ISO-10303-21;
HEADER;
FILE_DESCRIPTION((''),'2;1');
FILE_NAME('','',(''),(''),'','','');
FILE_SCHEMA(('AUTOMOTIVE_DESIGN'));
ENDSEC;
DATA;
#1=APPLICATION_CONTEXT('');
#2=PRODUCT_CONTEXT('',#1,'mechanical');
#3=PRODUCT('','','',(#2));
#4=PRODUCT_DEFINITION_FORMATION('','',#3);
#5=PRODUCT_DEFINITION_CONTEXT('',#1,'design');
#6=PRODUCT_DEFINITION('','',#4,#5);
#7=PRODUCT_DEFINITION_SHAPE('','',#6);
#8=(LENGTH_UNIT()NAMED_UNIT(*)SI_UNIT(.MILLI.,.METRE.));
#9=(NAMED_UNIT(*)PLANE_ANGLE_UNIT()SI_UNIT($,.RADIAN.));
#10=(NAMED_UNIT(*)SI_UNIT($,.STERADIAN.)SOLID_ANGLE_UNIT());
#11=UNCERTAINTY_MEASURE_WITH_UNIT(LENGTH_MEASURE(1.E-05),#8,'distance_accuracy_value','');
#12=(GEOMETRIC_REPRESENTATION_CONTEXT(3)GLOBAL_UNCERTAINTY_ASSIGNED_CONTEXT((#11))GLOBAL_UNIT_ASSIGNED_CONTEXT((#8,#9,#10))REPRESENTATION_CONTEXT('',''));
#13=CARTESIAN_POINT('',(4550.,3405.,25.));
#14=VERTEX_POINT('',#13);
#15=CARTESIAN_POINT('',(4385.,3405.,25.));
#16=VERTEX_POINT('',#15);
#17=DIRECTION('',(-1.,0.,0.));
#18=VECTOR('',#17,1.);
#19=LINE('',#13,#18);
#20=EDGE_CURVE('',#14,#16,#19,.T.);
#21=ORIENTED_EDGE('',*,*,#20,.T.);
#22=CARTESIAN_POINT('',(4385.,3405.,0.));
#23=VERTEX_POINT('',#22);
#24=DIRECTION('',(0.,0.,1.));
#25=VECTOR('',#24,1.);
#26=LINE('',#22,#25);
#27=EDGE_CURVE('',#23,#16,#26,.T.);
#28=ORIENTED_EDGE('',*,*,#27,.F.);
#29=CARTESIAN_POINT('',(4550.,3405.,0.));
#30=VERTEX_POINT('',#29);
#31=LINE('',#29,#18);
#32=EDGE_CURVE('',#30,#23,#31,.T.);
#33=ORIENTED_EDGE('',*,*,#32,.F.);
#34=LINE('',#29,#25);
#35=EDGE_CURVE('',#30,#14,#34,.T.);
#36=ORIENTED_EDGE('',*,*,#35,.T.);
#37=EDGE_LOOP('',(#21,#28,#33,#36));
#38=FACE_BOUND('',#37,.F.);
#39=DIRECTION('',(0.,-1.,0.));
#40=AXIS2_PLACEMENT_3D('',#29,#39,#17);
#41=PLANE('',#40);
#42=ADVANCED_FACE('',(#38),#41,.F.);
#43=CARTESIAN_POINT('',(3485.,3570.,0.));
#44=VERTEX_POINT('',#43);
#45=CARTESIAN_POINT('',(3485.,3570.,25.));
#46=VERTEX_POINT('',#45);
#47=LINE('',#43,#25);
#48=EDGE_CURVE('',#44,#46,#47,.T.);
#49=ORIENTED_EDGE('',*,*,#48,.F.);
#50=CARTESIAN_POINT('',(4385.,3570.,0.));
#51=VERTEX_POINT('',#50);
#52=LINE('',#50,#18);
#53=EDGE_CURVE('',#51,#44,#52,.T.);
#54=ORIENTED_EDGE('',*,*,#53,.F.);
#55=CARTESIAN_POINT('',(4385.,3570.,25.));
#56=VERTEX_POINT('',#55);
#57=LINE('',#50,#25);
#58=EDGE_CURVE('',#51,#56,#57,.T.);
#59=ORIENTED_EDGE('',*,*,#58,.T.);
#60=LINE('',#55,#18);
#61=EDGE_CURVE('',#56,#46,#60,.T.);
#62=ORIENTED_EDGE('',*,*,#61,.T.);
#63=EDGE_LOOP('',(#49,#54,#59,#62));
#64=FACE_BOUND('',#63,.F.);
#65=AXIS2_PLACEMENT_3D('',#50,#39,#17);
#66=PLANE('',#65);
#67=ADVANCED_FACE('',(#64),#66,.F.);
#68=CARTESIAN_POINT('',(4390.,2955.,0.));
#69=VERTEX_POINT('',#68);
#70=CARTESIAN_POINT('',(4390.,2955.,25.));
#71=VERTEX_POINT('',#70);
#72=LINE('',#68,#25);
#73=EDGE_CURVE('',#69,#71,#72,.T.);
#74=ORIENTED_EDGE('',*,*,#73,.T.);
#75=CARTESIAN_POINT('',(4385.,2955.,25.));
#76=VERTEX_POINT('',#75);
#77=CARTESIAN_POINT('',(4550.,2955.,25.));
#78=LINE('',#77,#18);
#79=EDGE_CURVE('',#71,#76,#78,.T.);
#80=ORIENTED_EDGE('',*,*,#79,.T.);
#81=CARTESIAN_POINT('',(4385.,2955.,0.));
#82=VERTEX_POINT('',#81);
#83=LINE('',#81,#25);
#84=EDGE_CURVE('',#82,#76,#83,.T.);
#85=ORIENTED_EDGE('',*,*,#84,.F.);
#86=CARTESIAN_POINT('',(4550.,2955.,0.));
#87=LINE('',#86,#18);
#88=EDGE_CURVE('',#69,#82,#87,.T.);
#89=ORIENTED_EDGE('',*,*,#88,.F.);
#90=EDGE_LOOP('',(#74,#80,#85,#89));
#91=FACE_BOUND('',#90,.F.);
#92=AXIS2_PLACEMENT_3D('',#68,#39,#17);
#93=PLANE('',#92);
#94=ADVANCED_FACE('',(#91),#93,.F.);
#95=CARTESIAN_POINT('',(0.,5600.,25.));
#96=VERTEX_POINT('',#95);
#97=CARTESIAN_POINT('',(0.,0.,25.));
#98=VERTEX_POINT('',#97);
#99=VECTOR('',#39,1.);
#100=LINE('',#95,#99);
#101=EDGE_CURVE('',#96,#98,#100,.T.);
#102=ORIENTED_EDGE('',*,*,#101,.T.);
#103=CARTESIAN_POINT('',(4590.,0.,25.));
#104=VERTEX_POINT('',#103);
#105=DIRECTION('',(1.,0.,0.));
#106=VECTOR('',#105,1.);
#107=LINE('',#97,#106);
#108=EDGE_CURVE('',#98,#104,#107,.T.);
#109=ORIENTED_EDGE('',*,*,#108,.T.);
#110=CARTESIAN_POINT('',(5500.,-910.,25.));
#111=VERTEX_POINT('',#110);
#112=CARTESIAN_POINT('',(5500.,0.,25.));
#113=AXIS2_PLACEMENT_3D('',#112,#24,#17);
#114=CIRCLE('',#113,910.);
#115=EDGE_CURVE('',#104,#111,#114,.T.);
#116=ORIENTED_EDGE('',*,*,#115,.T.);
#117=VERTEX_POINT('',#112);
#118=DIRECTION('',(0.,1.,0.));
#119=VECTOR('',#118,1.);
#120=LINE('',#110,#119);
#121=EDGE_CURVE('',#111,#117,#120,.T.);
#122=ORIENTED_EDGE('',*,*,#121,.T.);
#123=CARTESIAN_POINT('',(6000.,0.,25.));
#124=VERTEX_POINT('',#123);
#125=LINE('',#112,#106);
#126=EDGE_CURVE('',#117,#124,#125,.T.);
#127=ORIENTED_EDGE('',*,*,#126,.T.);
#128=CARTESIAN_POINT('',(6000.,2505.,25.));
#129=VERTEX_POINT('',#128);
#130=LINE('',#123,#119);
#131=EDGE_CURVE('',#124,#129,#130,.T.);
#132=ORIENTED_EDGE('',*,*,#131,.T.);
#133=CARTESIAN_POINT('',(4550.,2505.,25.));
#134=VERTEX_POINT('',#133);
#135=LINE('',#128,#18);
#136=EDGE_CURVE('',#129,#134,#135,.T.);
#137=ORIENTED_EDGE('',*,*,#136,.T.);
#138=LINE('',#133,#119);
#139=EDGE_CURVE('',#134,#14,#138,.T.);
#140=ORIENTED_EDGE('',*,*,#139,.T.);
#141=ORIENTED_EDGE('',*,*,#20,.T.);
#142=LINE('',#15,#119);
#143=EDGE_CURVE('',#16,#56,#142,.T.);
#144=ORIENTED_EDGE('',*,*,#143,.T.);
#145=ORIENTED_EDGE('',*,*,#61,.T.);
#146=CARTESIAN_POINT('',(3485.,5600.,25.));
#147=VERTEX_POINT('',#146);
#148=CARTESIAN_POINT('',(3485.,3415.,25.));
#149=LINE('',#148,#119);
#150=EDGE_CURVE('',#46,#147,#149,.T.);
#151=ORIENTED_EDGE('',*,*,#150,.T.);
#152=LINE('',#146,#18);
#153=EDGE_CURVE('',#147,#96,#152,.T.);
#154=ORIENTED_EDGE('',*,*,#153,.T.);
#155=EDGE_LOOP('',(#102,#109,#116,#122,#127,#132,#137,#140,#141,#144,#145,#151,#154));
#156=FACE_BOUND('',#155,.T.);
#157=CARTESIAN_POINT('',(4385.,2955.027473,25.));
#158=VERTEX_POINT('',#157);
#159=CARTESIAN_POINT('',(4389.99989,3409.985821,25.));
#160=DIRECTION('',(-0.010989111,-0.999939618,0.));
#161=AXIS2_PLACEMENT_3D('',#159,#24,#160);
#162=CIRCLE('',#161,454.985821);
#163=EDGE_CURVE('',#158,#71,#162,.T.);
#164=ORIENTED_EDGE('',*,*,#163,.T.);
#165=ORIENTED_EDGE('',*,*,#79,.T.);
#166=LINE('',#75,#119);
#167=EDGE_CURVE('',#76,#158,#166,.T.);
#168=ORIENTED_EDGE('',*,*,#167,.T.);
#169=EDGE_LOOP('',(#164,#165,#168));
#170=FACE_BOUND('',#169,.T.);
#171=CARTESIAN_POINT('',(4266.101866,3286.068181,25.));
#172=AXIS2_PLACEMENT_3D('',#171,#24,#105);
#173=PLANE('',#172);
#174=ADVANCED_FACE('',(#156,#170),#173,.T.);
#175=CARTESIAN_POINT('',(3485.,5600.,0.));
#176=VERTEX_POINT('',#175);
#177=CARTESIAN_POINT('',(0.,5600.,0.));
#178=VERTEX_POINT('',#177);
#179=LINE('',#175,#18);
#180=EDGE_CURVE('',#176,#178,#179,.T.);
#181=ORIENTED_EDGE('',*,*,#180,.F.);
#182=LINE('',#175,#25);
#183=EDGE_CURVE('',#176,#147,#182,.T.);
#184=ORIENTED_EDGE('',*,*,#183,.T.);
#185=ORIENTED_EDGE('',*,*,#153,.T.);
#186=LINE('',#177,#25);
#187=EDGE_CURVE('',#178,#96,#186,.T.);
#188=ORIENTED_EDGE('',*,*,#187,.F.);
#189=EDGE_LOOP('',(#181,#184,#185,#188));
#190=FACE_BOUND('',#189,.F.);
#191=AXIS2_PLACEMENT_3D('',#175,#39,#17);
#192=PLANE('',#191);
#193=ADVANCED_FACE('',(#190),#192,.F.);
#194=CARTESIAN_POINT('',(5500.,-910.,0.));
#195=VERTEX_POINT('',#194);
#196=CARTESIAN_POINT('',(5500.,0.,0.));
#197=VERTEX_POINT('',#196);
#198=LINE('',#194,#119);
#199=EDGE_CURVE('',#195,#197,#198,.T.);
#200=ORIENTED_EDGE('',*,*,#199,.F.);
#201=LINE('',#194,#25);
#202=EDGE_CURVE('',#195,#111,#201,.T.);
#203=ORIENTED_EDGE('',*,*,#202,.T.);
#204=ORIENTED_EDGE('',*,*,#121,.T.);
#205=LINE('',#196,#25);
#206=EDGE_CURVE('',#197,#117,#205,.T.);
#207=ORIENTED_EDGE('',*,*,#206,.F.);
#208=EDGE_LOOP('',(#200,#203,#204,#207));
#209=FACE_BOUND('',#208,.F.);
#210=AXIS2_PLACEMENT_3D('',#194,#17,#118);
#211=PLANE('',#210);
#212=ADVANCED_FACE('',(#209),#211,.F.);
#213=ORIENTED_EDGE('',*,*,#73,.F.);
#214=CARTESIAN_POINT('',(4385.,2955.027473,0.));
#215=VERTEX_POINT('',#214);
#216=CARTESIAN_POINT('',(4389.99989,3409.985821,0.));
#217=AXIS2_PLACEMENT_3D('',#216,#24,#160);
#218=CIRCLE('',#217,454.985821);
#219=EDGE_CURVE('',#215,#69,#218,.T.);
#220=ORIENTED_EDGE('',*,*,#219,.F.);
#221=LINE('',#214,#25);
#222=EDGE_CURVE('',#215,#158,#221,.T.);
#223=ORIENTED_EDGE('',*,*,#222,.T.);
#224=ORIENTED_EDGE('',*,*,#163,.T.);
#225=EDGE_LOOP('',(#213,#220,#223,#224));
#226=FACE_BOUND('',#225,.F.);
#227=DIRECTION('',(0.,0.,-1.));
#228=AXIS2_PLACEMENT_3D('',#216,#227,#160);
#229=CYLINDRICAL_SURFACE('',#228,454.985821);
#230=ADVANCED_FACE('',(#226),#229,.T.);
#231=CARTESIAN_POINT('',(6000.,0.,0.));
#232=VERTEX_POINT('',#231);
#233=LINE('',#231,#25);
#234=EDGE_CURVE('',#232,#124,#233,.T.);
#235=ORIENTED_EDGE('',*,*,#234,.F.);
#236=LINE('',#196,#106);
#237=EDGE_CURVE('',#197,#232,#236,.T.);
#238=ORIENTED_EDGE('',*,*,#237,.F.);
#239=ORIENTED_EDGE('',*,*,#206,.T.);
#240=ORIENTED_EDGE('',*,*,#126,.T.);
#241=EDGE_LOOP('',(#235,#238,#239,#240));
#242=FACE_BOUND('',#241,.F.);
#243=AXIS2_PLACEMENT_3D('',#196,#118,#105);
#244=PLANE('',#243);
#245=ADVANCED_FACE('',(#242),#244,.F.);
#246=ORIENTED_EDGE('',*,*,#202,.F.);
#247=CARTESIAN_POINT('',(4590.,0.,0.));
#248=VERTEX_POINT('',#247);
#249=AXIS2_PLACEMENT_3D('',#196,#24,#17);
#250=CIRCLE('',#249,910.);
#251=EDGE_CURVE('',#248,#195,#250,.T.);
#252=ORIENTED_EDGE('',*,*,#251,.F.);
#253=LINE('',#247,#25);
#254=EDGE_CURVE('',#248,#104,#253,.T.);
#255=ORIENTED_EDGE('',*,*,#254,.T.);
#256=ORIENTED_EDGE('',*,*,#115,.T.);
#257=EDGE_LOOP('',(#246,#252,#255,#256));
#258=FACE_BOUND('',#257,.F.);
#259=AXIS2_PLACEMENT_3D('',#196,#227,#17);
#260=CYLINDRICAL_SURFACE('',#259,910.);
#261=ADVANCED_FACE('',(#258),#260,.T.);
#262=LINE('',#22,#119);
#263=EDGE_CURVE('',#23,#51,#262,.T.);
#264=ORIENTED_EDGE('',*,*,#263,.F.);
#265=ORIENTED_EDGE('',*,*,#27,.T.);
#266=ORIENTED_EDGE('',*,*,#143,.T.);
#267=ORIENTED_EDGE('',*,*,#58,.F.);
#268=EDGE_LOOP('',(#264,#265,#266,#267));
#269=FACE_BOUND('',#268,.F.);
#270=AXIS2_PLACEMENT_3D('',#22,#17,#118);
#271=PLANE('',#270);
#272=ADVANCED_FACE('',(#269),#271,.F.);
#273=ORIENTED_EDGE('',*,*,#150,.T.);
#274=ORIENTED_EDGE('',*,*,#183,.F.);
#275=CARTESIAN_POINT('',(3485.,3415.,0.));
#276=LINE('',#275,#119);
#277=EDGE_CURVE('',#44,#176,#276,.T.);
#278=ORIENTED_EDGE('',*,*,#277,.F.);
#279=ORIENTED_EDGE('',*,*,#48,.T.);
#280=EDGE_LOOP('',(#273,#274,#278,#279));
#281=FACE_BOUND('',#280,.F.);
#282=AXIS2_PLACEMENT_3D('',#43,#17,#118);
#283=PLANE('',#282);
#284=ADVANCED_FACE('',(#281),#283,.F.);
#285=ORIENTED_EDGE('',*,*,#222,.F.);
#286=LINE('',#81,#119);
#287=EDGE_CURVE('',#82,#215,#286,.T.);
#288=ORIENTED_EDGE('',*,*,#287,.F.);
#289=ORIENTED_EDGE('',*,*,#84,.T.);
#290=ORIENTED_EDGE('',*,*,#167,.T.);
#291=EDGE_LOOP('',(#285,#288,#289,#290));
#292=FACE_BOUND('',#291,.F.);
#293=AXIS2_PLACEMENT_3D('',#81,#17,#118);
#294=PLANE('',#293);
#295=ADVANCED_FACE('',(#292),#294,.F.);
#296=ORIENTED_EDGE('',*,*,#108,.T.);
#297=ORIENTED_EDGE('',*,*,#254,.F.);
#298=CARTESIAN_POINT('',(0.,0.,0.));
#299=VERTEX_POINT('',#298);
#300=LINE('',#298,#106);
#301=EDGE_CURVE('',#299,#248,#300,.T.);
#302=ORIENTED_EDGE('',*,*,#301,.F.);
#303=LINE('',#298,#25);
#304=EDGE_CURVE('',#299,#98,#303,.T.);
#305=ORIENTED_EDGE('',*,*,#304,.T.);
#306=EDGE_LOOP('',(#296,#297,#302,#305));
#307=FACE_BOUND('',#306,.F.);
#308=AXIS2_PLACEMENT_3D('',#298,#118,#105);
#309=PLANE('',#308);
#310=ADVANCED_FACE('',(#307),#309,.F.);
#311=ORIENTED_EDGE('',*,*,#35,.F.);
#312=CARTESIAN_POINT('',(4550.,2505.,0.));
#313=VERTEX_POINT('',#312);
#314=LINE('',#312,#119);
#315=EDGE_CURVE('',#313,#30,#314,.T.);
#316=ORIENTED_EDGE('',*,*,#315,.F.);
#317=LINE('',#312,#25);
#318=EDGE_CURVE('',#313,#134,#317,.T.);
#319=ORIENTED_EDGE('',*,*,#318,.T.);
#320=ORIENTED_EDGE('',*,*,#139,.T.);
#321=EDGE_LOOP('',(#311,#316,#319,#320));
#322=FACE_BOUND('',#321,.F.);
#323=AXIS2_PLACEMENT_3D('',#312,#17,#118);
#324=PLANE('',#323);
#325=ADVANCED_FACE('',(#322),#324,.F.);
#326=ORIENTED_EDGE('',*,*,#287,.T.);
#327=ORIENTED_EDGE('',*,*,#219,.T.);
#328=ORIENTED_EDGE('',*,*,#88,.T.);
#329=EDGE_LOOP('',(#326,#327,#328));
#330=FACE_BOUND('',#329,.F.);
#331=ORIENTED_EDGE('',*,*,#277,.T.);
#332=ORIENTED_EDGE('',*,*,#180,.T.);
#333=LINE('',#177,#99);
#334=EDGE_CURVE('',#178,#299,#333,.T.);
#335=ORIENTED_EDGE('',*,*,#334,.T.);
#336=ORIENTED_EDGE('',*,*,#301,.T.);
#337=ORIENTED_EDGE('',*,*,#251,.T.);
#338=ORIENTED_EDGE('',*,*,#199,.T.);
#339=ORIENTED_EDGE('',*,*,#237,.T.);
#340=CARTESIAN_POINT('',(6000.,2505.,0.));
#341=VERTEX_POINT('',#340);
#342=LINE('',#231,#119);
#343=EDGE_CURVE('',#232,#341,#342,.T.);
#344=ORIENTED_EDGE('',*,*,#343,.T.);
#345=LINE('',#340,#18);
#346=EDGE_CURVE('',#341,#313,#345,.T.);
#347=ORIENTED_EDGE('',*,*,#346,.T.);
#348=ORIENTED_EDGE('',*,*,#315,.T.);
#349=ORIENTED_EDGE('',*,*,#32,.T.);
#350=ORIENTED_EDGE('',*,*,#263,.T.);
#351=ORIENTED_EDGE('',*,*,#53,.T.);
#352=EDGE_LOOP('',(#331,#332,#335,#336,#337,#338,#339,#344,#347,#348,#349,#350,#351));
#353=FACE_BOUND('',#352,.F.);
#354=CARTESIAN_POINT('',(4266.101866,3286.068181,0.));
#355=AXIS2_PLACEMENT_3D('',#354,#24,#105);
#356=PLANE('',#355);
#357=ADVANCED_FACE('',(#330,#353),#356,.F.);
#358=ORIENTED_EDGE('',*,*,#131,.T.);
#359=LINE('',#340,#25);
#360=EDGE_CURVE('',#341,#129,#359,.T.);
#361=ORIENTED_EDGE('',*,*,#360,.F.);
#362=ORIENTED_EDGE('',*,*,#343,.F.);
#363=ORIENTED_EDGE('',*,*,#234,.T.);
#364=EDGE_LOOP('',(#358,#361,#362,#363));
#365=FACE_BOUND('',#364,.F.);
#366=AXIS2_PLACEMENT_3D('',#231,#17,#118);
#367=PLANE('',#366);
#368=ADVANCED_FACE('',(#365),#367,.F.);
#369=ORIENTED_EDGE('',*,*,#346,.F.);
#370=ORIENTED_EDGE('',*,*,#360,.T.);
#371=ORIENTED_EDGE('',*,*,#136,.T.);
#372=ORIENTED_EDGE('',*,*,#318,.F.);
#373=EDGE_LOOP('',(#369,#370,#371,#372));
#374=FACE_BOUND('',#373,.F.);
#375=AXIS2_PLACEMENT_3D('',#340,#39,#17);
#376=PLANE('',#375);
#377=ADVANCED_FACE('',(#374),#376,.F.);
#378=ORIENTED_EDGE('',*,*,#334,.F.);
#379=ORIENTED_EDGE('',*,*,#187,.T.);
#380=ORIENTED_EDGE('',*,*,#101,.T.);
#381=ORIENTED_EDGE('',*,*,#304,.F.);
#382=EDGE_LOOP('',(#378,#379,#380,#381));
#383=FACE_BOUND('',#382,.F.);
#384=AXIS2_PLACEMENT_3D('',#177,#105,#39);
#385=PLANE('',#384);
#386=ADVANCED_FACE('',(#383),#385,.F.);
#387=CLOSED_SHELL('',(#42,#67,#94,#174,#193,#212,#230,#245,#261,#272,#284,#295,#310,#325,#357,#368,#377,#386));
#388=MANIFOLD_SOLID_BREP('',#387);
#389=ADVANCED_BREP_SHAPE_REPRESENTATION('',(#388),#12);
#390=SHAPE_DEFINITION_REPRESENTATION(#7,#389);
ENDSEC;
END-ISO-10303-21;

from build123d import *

# Parameters (mm, degrees)
F1_DEPTH = 25


with BuildPart() as f1:
    # F0 (on Top) → F1 (new body)
    with BuildSketch(Plane.XY):
        with BuildLine():
            Line((4385, 3570), (3935, 3570))
            Line((3935, 3570), (3935, 3410))
            ThreePointArc((3935, 3410), (4066.503478, 3090.039065), (4385, 2955.027473))
            ThreePointArc((4385, 2955.027473), (4387.499962, 2955.006868), (4390, 2955))
            Line((4390, 2955), (4550, 2955))
            Line((4550, 2955), (4550, 3405))
            Line((4550, 3405), (4385, 3405))
            Line((4385, 3405), (4385, 3570))
        make_face()
        with BuildLine():
            Line((4395, 2505), (4550, 2505))
            Line((4550, 2505), (4550, 2955))
            Line((4550, 2955), (4390, 2955))
            Line((4390, 2955), (4385, 2955))
            Line((4385, 2955), (4385, 2955.027473))
            ThreePointArc((4385, 2955.027473), (4066.503478, 3090.039065), (3935, 3410))
            Line((3935, 3410), (3935, 3570))
            Line((3935, 3570), (3485, 3570))
            Line((3485, 3570), (3485, 3415))
            ThreePointArc((3485, 3415), (3748.006955, 2775.07813), (4385, 2505.054947))
            ThreePointArc((4385, 2505.054947), (4389.999925, 2505.013737), (4395, 2505))
        make_face()
        with BuildLine():
            Line((0, 5600), (0, 0))
            Line((0, 0), (4590, 0))
            ThreePointArc((4590, 0), (4856.532829, -643.467171), (5500, -910))
            Line((5500, -910), (5500, 0))
            Line((5500, 0), (6000, 0))
            Line((6000, 0), (6000, 2505))
            Line((6000, 2505), (5710, 2505))
            Line((5710, 2505), (5420, 2505))
            Line((5420, 2505), (5130, 2505))
            Line((5130, 2505), (4840, 2505))
            Line((4840, 2505), (4550, 2505))
            Line((4550, 2505), (4395, 2505))
            ThreePointArc((4395, 2505), (4389.999925, 2505.013737), (4385, 2505.054947))
            ThreePointArc((4385, 2505.054947), (3748.006955, 2775.07813), (3485, 3415))
            Line((3485, 3415), (3485, 3570))
            Line((3485, 3570), (3485, 3860))
            Line((3485, 3860), (3485, 4150))
            Line((3485, 4150), (3485, 4440))
            Line((3485, 4440), (3485, 4730))
            Line((3485, 4730), (3485, 5020))
            Line((3485, 5020), (3485, 5310))
            Line((3485, 5310), (3485, 5527.981281))
            Line((3485, 5527.981281), (3485, 5600))
            Line((3485, 5600), (0, 5600))
        make_face()
    extrude(amount=F1_DEPTH)


solid = f1.part
